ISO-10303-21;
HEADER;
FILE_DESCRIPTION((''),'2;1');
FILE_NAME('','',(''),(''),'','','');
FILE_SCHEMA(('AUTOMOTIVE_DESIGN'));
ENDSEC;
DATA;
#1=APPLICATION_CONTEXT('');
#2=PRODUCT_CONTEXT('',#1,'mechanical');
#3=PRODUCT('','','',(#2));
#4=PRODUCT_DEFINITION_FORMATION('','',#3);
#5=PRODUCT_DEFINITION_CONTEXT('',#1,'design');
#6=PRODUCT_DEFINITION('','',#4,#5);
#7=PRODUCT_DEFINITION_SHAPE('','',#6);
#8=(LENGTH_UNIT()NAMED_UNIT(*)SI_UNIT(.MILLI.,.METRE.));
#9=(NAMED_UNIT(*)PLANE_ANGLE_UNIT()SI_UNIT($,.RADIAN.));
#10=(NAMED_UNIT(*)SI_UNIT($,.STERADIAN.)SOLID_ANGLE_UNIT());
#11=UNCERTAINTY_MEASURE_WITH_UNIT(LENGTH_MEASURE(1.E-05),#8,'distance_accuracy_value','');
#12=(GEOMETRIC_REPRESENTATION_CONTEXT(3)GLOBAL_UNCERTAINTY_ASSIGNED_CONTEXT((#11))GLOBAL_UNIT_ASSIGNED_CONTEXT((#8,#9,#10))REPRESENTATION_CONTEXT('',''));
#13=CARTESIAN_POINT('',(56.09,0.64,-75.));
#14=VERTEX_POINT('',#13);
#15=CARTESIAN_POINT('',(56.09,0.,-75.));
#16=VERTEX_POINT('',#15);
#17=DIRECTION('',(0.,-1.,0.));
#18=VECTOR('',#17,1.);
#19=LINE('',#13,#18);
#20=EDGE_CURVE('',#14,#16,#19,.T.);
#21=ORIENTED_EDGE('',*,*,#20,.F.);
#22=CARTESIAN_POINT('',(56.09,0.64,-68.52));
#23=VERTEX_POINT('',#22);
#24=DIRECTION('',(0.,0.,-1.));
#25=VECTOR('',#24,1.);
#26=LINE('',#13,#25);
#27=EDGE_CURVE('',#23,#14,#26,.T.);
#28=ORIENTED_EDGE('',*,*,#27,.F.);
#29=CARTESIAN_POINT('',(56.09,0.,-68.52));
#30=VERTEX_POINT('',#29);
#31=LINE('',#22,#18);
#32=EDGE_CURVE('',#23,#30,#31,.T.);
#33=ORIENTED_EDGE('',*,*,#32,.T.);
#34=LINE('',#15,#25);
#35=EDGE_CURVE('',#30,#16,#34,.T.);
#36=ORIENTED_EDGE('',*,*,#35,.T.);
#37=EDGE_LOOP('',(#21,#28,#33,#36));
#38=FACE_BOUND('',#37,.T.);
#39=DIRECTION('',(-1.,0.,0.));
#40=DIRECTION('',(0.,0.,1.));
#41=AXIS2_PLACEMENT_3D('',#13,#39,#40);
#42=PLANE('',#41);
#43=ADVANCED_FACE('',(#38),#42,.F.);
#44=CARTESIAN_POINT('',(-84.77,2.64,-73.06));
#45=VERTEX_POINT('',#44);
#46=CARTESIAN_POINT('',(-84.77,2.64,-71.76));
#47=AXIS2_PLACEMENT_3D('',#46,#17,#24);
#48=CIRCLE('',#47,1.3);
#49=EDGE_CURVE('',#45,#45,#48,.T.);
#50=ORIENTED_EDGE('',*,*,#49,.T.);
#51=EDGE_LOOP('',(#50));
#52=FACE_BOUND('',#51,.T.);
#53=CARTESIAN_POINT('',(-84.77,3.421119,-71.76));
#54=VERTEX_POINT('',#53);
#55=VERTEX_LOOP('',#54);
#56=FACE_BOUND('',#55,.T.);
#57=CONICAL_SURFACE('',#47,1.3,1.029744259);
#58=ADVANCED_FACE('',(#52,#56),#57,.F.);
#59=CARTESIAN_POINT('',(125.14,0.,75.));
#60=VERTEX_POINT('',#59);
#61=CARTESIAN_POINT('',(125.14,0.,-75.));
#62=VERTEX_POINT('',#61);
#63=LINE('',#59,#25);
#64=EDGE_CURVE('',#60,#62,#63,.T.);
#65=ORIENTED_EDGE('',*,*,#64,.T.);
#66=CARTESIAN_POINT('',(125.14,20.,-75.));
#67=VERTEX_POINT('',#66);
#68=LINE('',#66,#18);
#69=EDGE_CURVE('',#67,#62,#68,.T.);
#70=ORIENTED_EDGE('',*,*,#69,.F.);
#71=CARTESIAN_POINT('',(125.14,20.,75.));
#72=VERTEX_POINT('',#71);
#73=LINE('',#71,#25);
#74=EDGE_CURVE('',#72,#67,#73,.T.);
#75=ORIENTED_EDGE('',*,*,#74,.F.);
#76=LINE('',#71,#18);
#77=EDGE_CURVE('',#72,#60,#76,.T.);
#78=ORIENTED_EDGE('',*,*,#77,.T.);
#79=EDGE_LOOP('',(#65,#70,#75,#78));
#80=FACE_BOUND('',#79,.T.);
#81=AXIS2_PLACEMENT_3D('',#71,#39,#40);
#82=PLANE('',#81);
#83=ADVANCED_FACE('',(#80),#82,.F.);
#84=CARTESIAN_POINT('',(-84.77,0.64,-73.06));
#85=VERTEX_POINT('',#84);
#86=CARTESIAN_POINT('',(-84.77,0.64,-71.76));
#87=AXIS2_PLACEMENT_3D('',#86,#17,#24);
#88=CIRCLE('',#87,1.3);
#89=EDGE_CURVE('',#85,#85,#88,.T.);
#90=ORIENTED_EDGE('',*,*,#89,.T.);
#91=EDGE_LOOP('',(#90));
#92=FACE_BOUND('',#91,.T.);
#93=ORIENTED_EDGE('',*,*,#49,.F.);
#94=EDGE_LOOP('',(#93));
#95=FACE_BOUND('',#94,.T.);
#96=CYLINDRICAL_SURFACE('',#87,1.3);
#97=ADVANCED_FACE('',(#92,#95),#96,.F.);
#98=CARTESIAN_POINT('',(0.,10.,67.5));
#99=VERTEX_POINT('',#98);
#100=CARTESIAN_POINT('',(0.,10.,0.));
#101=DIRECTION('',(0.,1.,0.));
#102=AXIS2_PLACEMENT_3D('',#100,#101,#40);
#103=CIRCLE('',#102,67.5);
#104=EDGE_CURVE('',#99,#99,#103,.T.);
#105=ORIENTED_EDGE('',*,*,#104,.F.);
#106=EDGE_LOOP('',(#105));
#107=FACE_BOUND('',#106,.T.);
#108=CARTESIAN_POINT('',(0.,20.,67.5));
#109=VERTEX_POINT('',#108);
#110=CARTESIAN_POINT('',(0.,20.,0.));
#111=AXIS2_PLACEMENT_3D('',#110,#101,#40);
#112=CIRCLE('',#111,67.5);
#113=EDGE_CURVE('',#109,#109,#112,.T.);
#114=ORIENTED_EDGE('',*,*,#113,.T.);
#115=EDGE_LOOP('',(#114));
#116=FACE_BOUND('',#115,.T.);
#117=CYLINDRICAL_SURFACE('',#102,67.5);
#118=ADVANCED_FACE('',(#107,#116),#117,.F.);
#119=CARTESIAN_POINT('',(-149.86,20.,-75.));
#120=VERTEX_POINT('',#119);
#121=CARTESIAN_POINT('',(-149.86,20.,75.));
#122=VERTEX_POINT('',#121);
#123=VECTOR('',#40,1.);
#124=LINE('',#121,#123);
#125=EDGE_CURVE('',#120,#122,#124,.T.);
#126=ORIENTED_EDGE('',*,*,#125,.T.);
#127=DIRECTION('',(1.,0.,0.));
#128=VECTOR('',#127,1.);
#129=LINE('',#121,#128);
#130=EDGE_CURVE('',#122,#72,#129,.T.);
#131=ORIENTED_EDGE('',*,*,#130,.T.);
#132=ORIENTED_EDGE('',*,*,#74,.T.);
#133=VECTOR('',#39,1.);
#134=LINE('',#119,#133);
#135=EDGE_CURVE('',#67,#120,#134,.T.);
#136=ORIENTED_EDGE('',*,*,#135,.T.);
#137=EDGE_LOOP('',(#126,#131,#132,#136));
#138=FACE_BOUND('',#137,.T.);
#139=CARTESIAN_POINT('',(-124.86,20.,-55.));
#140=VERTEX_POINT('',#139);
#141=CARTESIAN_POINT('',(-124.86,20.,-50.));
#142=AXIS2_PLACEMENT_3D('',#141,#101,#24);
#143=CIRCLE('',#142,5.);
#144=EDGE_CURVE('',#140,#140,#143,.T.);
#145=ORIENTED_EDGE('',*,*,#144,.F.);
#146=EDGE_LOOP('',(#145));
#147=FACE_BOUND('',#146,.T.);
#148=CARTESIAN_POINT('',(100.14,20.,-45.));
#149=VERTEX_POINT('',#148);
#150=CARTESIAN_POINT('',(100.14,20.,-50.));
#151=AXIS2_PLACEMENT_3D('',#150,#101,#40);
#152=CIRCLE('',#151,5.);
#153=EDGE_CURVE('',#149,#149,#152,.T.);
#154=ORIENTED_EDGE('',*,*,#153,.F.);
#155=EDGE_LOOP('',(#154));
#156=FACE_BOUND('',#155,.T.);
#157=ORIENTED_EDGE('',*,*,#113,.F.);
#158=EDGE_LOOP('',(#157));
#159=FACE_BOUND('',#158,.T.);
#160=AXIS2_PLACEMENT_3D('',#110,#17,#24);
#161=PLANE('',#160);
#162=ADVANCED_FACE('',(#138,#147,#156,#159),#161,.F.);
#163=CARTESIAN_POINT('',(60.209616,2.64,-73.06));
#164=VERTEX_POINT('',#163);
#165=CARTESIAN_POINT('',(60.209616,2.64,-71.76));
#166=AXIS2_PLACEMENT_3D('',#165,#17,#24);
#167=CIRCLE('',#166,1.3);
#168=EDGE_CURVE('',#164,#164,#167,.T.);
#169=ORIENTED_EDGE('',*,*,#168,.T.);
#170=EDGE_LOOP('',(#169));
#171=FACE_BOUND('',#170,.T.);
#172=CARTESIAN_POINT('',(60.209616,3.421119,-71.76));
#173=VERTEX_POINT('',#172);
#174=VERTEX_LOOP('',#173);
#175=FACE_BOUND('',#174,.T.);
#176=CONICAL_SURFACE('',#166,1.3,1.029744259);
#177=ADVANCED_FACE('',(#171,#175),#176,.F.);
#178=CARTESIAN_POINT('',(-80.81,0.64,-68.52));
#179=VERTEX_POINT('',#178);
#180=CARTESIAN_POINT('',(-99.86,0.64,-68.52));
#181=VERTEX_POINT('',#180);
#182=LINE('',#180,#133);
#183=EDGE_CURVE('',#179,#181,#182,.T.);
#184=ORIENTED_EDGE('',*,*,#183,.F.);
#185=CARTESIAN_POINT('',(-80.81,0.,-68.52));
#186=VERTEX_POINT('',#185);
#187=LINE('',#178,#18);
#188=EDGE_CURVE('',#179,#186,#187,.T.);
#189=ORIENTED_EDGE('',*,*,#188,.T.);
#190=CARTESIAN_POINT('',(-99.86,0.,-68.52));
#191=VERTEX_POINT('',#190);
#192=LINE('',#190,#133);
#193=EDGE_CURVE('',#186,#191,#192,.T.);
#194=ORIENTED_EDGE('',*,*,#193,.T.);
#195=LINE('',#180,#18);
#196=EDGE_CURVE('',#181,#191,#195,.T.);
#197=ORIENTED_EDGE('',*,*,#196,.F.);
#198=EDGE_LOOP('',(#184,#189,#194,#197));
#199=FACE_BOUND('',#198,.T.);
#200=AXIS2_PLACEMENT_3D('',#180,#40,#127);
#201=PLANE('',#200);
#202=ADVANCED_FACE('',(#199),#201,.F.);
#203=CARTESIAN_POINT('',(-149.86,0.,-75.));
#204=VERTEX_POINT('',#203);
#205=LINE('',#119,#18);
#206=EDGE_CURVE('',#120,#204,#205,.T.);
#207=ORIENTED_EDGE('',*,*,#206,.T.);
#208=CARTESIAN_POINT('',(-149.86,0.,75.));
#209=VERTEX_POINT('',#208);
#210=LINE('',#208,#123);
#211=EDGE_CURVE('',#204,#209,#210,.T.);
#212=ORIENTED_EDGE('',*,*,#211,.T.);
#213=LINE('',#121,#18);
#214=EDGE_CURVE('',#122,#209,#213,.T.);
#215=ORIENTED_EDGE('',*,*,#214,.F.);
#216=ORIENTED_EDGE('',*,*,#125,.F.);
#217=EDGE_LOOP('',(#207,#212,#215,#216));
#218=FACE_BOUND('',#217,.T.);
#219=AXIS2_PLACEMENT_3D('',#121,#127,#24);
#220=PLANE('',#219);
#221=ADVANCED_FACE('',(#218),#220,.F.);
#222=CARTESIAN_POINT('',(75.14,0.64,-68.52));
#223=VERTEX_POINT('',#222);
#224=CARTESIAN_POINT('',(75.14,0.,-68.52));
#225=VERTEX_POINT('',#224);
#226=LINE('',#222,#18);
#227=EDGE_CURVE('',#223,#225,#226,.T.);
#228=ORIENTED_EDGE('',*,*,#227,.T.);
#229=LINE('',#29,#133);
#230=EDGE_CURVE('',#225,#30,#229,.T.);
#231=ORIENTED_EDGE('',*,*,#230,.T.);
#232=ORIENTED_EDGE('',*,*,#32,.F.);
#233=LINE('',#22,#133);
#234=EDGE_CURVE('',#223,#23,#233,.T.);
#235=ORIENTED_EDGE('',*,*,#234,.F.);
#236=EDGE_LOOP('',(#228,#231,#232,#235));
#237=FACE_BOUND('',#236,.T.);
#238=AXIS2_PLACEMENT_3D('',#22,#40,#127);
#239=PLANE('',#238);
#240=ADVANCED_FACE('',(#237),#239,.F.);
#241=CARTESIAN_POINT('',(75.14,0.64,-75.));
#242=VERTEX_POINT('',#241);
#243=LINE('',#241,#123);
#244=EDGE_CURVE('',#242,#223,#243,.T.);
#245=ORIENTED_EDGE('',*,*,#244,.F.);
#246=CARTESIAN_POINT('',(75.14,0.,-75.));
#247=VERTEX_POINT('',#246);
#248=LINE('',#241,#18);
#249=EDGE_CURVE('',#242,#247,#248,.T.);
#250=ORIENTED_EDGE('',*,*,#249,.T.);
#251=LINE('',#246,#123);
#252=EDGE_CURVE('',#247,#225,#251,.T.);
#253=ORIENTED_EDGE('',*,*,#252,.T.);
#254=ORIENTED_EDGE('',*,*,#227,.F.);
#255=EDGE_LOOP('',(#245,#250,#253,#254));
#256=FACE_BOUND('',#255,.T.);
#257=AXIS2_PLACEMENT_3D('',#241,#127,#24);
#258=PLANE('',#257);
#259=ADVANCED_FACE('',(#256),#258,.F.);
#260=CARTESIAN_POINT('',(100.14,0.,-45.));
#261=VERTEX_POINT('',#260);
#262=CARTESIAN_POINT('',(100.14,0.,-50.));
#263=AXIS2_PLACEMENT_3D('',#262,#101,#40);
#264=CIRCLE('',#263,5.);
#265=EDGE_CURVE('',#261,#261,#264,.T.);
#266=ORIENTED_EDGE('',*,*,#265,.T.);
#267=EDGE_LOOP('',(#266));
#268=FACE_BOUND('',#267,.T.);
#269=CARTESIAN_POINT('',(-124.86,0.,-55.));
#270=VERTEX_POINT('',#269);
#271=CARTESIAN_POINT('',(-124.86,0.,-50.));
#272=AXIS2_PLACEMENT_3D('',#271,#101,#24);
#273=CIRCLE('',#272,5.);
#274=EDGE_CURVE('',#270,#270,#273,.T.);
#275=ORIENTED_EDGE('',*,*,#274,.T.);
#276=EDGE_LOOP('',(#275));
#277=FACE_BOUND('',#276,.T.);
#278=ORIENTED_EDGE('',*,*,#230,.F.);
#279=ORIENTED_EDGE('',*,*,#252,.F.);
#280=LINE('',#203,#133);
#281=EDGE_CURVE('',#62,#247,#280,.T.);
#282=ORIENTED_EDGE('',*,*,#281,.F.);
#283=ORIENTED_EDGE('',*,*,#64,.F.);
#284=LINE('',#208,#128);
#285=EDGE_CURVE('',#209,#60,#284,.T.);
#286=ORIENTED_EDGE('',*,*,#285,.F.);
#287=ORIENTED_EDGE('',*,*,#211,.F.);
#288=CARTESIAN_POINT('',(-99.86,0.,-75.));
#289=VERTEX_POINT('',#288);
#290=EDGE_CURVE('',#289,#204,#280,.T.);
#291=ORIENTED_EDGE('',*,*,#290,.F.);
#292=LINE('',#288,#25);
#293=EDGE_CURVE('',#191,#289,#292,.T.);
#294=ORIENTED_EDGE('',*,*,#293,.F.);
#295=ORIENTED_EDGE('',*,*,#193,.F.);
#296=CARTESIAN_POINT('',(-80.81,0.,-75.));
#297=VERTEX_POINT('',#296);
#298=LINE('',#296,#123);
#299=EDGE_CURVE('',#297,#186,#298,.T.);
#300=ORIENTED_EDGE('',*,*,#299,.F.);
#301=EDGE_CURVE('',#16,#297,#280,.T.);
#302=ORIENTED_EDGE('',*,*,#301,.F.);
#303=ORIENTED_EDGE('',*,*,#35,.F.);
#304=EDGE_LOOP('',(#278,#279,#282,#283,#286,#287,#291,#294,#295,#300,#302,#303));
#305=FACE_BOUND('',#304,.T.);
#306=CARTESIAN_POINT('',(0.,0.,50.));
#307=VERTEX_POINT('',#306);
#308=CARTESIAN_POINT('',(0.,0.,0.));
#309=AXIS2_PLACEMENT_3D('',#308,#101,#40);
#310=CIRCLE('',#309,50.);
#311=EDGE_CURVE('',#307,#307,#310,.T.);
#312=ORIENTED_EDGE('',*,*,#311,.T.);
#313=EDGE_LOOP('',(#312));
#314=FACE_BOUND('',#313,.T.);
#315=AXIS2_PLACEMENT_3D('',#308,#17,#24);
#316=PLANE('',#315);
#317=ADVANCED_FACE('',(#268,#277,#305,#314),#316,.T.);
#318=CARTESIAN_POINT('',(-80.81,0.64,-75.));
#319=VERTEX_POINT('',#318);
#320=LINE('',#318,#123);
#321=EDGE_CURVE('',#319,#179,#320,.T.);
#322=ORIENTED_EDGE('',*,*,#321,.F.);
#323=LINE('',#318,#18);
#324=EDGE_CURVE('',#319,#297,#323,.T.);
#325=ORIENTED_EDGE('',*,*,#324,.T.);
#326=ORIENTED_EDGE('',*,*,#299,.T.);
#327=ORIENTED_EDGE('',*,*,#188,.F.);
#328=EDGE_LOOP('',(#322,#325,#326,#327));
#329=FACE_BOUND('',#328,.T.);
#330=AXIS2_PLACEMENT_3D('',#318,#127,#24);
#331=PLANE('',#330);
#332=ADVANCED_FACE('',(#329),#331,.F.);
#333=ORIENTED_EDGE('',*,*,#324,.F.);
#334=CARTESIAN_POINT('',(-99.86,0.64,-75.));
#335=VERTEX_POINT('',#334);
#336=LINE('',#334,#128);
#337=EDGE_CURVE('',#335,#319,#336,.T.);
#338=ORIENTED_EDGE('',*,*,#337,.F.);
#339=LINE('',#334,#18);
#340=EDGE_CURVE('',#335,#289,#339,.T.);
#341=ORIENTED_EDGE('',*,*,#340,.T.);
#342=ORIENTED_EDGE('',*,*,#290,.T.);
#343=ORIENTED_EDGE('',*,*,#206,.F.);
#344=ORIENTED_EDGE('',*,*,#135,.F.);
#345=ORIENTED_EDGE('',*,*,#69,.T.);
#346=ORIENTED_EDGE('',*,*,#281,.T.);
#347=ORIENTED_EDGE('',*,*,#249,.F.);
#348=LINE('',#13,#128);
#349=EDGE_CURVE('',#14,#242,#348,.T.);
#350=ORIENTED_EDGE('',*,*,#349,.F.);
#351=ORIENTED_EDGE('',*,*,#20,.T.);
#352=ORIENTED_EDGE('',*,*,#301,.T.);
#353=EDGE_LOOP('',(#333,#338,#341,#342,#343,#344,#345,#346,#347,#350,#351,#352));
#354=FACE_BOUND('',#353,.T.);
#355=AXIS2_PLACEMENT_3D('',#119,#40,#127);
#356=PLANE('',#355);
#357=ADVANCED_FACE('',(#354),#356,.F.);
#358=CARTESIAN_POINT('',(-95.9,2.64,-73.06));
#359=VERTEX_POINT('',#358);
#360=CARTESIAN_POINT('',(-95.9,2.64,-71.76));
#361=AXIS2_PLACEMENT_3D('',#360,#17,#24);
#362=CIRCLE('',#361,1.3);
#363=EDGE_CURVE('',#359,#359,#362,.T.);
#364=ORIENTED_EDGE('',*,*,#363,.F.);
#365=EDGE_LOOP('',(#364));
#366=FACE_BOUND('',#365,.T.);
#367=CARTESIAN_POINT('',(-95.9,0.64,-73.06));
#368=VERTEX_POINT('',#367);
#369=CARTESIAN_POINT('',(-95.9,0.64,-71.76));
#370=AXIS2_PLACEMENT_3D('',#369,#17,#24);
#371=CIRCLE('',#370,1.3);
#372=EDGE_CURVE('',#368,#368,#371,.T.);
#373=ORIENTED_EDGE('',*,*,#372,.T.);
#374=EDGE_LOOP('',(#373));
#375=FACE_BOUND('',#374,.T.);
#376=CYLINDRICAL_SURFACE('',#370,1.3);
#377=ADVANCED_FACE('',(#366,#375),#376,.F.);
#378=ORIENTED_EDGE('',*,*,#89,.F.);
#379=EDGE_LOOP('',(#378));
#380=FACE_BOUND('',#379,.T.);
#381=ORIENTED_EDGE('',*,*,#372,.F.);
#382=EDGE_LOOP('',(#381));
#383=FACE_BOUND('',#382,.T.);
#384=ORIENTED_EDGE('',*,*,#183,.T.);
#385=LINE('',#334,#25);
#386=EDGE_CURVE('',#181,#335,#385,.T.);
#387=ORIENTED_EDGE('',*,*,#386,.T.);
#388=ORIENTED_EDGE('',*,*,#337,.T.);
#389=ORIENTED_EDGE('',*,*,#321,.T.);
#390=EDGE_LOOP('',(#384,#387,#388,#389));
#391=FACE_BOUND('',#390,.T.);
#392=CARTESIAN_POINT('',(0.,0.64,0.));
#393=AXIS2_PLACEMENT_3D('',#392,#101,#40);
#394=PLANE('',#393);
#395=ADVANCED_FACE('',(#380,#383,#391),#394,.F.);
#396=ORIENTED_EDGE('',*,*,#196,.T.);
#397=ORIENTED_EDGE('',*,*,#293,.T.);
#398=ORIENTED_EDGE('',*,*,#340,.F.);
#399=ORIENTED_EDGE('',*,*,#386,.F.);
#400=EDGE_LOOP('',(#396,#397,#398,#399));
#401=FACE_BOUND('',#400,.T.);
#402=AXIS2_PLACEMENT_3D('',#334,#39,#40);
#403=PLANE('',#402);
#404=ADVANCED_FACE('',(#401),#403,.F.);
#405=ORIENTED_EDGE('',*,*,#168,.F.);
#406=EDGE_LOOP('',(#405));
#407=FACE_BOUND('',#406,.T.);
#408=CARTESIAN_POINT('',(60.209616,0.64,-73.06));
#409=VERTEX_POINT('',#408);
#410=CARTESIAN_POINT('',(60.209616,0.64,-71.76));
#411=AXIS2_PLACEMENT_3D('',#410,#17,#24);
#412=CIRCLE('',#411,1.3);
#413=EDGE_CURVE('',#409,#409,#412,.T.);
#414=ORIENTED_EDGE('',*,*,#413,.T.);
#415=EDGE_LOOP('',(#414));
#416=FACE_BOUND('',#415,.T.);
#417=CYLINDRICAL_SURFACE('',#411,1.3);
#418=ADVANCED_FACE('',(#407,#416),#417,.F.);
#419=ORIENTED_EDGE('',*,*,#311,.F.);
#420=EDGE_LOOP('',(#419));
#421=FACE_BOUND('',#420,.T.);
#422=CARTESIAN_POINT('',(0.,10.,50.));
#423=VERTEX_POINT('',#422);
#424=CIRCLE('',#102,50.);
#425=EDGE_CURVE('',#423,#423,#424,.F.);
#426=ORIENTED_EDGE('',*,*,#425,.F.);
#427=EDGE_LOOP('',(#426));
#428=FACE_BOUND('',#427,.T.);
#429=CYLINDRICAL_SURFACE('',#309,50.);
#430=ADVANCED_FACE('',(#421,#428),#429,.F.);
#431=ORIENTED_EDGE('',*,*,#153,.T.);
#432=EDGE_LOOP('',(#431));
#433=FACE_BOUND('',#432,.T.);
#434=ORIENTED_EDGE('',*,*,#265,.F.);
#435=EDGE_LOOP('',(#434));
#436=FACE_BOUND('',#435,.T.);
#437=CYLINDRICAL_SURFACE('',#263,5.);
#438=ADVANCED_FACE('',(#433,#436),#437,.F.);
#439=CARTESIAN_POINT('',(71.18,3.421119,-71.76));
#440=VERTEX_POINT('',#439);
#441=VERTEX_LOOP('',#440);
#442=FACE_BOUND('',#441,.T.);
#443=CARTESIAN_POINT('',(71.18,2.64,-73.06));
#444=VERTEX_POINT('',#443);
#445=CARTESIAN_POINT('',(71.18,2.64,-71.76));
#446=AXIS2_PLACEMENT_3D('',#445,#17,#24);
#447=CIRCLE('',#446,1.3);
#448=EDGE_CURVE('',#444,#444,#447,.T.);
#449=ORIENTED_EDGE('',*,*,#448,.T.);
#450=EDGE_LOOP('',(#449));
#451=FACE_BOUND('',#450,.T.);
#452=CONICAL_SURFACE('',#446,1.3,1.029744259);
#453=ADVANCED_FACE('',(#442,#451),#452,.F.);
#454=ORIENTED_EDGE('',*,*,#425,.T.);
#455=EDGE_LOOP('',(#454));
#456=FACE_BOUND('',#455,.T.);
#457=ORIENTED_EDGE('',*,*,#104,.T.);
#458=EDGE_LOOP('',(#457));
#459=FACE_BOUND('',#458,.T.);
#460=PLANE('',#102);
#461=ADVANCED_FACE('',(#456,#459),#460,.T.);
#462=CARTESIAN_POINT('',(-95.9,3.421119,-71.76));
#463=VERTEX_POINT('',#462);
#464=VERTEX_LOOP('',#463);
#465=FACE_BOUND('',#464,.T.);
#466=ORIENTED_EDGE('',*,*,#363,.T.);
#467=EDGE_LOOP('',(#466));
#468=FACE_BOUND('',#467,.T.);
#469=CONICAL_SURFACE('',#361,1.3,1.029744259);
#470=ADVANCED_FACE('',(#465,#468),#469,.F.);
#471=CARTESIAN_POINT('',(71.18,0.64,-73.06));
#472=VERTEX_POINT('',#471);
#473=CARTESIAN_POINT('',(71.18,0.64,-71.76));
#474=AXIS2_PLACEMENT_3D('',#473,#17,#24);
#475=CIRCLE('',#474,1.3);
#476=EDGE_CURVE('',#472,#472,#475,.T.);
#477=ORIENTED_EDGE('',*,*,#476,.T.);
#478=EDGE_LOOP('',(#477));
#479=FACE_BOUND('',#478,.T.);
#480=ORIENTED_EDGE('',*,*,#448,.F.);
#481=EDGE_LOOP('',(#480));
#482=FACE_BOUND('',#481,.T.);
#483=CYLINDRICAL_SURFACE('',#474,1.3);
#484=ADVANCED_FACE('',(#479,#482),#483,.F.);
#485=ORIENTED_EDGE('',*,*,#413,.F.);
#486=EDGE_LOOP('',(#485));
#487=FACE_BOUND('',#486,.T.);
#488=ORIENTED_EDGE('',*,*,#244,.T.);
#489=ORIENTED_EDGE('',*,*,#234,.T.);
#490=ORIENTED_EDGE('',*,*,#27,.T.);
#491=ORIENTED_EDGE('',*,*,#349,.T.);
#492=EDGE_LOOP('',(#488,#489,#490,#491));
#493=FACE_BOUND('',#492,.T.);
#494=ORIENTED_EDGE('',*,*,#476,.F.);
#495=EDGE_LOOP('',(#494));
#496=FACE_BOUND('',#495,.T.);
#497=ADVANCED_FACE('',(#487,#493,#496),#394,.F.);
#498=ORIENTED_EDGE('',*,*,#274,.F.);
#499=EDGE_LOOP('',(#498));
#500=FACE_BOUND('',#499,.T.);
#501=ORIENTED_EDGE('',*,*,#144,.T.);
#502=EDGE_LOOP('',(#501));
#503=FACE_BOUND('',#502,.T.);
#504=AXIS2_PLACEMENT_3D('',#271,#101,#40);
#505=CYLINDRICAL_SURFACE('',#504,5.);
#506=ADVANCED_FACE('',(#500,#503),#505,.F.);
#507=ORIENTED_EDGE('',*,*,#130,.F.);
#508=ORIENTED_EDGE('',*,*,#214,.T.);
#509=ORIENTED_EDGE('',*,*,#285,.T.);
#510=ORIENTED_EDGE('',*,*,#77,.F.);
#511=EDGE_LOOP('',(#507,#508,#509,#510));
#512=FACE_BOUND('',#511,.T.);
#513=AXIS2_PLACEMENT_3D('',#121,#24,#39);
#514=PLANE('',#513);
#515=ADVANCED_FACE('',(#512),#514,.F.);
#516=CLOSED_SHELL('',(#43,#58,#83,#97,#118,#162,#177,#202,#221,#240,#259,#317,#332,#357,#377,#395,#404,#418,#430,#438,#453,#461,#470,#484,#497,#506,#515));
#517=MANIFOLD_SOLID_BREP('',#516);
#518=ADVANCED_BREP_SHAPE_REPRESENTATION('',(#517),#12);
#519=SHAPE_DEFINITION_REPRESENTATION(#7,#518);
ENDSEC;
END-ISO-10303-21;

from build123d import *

# Parameters (mm, degrees)
SKETCH1_W                = 275
SKETCH1_H                = 150
SKETCH1_R                = 5
BOSS_EXTRUDE1_DEPTH      = 20
SKETCH2_R                = 50
CUT_EXTRUDE1_DEPTH       = 169.769131064
SKETCH3_R                = 67.5
CUT_EXTRUDE2_DEPTH       = 10
SKETCH4_R                = 5
CUT_EXTRUDE3_DEPTH       = 169.769131064
SKETCH5_W                = 19.05
SKETCH5_H                = 6.48
CUT_EXTRUDE4_DEPTH       = 0.64
M2_CLEARANCE_HOLE1_D     = 2.6
M2_CLEARANCE_HOLE1_DEPTH = 2
M2_CLEARANCE_HOLE1_TIP   = 0.781118805


with BuildPart() as part:
    # Sketch1 → Boss-Extrude1 (new body)
    with BuildSketch(Plane(origin=(0, 0, 0), x_dir=(1, 0, 0), z_dir=(0, 1, 0))):
        with Locations((-12.36, 0)):
            Rectangle(SKETCH1_W, SKETCH1_H)
        with Locations(Location((0, 0, 0), (0, 0, 270))):
            Circle(SKETCH1_R, mode=Mode.SUBTRACT)
    extrude(amount=BOSS_EXTRUDE1_DEPTH)

    # Sketch2 → Cut-Extrude1 (cut, through all)
    with BuildSketch(Plane(origin=(0, 20, 0), x_dir=(1, 0, 0), z_dir=(0, 1, 0))):
        with Locations(Location((0, 0, 0), (0, 0, 270))):
            Circle(SKETCH2_R)
    extrude(amount=-CUT_EXTRUDE1_DEPTH, mode=Mode.SUBTRACT)

    # Sketch3 → Cut-Extrude2 (cut)
    with BuildSketch(Plane(origin=(0, 20, 0), x_dir=(1, 0, 0), z_dir=(0, 1, 0))):
        with Locations(Location((0, 0, 0), (0, 0, 270))):
            Circle(SKETCH3_R)
    extrude(amount=-CUT_EXTRUDE2_DEPTH, mode=Mode.SUBTRACT)

    # Sketch4 → Cut-Extrude3 (cut, through all)
    with BuildSketch(Plane(origin=(0, 20, 0), x_dir=(1, 0, 0), z_dir=(0, 1, 0))):
        with Locations(Location((100.14, 50, 0), (0, 0, 270))):
            Circle(SKETCH4_R)
        with Locations(Location((-124.86, 50, 0), (0, 0, 90))):
            Circle(SKETCH4_R)
    extrude(amount=-CUT_EXTRUDE3_DEPTH, mode=Mode.SUBTRACT)

    # Sketch5 → Cut-Extrude4 (cut)
    with BuildSketch(Plane.XZ):
        with Locations((-90.335, -71.76)):
            Rectangle(SKETCH5_W, SKETCH5_H)
        with Locations((65.615, -71.76)):
            Rectangle(SKETCH5_W, SKETCH5_H)
    extrude(amount=-CUT_EXTRUDE4_DEPTH, mode=Mode.SUBTRACT)

    # M2 Clearance Hole1
    with Locations(Plane(origin=(0, 0.64, 0), x_dir=(-1, 0, 0), z_dir=(0, -1, 0))):
        with Locations((95.9, 71.76), (84.77, 71.76), (-71.18, 71.76), (-60.20961626, 71.76)):
            Hole(M2_CLEARANCE_HOLE1_D / 2, depth=M2_CLEARANCE_HOLE1_DEPTH)
            with Locations((0, 0, -(M2_CLEARANCE_HOLE1_DEPTH + M2_CLEARANCE_HOLE1_TIP / 2))):  # 118° drill point
                Cone(0, M2_CLEARANCE_HOLE1_D / 2, M2_CLEARANCE_HOLE1_TIP, mode=Mode.SUBTRACT)


solid = part.part
